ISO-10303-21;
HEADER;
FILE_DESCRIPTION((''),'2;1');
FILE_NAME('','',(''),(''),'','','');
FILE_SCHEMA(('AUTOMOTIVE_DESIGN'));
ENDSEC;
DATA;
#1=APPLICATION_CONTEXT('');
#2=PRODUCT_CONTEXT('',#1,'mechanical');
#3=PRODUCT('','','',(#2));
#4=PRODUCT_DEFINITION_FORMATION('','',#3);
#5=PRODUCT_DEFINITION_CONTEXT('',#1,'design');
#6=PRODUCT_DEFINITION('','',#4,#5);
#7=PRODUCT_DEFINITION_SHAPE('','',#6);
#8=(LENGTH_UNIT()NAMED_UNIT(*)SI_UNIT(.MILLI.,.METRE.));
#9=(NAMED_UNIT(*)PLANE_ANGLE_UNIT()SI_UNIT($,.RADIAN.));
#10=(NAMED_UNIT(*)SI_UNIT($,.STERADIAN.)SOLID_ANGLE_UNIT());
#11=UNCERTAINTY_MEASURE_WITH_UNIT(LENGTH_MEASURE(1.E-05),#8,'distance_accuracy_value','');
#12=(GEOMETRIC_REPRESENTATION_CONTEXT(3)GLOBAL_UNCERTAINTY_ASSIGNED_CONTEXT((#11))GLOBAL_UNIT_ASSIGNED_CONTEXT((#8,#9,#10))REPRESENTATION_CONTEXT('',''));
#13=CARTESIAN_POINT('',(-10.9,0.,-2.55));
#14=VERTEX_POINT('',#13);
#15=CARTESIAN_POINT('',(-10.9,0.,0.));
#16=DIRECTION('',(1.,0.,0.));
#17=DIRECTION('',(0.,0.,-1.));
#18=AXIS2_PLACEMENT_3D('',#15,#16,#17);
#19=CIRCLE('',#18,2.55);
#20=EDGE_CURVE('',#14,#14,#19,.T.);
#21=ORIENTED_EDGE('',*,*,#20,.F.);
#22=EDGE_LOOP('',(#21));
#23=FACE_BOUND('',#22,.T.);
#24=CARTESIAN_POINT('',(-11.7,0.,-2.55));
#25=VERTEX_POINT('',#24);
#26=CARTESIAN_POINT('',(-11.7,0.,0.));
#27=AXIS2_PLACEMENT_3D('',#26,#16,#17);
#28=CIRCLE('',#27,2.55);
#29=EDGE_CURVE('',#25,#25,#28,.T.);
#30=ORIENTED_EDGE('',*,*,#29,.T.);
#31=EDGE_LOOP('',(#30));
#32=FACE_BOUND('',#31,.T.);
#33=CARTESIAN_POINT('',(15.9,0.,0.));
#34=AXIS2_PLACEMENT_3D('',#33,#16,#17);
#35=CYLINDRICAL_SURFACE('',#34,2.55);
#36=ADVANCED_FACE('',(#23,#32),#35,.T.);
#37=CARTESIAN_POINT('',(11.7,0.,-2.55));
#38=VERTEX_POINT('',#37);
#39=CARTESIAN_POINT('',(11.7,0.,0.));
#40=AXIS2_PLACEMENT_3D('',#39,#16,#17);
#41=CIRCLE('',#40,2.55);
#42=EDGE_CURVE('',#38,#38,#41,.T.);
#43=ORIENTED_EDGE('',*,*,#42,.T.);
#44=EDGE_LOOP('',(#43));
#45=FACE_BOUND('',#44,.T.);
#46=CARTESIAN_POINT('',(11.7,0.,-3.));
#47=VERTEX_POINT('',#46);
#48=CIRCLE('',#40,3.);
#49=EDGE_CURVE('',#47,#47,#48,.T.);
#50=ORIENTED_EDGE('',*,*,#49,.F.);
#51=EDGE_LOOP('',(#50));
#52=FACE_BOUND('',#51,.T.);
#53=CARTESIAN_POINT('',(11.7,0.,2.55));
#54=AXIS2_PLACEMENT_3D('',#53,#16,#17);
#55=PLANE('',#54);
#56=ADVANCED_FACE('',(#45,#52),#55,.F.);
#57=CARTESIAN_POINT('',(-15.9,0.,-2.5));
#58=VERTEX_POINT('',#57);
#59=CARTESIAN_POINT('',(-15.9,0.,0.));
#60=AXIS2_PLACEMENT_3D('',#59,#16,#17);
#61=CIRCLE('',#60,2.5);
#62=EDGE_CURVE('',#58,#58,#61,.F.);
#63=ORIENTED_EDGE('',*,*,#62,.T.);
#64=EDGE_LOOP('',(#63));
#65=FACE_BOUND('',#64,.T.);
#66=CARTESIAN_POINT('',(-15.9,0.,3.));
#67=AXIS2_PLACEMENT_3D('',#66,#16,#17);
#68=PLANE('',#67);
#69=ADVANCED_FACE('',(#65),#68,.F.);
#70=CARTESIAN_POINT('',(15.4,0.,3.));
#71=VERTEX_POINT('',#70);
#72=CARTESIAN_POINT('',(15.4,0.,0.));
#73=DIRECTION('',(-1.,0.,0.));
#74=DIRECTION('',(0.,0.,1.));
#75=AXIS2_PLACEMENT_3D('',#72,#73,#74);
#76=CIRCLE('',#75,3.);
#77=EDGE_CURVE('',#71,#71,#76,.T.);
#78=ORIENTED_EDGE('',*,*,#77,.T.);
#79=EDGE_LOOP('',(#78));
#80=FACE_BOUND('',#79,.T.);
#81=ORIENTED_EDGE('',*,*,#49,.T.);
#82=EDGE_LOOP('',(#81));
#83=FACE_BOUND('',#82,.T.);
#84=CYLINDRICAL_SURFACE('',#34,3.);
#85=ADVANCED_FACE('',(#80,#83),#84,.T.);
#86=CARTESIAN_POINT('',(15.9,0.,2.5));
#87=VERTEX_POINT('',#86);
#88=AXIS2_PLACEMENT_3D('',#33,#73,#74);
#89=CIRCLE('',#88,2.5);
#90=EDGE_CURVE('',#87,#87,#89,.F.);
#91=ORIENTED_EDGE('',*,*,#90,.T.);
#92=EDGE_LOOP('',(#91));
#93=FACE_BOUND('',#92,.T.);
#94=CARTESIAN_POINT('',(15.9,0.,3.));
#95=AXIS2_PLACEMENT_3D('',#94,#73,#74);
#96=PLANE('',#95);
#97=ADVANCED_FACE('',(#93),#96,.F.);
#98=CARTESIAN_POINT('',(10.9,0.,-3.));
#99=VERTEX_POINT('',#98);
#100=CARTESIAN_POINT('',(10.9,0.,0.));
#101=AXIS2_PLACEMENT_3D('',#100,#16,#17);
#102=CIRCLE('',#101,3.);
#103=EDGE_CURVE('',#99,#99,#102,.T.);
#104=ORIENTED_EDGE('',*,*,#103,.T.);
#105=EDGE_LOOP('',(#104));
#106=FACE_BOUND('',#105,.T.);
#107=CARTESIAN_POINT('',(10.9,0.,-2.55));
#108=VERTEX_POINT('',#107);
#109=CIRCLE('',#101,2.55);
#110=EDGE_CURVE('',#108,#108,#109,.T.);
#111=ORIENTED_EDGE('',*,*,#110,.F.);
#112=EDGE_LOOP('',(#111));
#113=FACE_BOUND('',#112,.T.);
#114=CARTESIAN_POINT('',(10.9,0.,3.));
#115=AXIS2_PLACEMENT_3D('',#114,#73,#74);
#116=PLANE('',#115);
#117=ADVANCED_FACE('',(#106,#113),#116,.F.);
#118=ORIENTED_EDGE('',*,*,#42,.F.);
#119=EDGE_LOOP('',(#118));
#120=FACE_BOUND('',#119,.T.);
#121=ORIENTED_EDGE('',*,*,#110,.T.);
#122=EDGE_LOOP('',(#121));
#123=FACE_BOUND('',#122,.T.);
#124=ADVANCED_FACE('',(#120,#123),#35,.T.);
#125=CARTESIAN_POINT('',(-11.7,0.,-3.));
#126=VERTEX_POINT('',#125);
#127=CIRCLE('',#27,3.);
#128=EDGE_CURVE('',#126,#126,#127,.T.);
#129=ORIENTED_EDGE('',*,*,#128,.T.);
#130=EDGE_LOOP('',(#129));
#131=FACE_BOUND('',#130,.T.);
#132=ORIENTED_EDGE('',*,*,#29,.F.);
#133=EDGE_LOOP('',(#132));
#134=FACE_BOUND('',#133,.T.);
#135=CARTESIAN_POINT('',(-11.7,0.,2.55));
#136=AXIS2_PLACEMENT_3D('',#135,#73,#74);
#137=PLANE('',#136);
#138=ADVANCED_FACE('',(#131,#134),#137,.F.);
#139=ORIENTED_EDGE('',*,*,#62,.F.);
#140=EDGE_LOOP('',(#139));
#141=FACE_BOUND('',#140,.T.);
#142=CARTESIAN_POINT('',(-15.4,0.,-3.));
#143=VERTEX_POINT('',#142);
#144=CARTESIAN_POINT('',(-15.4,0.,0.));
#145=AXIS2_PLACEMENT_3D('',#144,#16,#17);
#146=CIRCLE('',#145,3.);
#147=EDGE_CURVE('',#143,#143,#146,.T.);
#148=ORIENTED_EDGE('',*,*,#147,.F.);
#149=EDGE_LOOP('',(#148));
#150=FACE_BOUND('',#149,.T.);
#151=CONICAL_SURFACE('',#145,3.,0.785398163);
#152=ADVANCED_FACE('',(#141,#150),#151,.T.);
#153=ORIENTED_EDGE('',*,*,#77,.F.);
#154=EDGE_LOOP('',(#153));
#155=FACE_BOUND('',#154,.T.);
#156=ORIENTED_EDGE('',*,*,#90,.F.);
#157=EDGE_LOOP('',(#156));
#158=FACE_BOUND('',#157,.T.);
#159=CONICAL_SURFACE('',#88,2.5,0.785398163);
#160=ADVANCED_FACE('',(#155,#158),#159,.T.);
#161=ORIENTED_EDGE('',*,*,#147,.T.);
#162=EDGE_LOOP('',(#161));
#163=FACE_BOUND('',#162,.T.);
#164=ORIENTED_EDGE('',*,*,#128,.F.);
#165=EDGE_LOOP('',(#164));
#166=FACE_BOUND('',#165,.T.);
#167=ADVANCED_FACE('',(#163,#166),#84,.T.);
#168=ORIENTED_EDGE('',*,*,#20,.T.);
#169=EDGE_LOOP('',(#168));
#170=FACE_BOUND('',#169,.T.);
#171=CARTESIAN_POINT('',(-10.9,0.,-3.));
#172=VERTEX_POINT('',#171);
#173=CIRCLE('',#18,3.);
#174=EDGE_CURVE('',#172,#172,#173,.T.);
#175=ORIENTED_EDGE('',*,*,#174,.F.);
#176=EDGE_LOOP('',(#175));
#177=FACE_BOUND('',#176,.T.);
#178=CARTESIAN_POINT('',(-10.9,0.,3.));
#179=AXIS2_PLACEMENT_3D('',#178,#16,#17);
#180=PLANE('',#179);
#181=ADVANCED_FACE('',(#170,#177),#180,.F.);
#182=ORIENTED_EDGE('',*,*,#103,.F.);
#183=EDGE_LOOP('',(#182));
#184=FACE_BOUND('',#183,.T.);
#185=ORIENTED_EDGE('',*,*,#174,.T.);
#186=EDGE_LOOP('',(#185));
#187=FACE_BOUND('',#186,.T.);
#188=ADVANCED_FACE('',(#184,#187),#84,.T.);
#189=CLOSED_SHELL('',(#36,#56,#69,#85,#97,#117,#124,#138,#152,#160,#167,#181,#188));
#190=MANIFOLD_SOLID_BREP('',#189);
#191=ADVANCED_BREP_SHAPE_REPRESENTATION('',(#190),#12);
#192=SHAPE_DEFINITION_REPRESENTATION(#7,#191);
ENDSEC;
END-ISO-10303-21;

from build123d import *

# Parameters (mm, degrees)
CHAFL_N1_SIZE = 0.5


with BuildPart() as part:
    # Croquis1 → Revolución1 (revolve)
    with BuildSketch(Plane(origin=(0, 0, 0), x_dir=(-1, 0, 0), z_dir=(0, 1, 0)), mode=Mode.PRIVATE) as revoluci_n1_sk:
        Polygon((-10.9, 3), (10.9, 3), (10.9, 2.55), (11.7, 2.55), (11.7, 3), (15.9, 3), (15.9, 0), (-15.9, 0), (-15.9, 3), (-11.7, 3), (-11.7, 2.55), (-10.9, 2.55), align=None)
    revolve(revoluci_n1_sk.sketch.rotate(Axis((15.9, 0, 0), (-1, 0, 0)), 180), axis=Axis((15.9, 0, 0), (-1, 0, 0)))

    # Chaflán1
    chafl_n1_edges = [part.edges().sort_by_distance(p)[0] for p in [
        (-15.9, 0, 3),
        (15.9, 0, 3),
    ]]
    chamfer(chafl_n1_edges, length=CHAFL_N1_SIZE)


solid = part.part
